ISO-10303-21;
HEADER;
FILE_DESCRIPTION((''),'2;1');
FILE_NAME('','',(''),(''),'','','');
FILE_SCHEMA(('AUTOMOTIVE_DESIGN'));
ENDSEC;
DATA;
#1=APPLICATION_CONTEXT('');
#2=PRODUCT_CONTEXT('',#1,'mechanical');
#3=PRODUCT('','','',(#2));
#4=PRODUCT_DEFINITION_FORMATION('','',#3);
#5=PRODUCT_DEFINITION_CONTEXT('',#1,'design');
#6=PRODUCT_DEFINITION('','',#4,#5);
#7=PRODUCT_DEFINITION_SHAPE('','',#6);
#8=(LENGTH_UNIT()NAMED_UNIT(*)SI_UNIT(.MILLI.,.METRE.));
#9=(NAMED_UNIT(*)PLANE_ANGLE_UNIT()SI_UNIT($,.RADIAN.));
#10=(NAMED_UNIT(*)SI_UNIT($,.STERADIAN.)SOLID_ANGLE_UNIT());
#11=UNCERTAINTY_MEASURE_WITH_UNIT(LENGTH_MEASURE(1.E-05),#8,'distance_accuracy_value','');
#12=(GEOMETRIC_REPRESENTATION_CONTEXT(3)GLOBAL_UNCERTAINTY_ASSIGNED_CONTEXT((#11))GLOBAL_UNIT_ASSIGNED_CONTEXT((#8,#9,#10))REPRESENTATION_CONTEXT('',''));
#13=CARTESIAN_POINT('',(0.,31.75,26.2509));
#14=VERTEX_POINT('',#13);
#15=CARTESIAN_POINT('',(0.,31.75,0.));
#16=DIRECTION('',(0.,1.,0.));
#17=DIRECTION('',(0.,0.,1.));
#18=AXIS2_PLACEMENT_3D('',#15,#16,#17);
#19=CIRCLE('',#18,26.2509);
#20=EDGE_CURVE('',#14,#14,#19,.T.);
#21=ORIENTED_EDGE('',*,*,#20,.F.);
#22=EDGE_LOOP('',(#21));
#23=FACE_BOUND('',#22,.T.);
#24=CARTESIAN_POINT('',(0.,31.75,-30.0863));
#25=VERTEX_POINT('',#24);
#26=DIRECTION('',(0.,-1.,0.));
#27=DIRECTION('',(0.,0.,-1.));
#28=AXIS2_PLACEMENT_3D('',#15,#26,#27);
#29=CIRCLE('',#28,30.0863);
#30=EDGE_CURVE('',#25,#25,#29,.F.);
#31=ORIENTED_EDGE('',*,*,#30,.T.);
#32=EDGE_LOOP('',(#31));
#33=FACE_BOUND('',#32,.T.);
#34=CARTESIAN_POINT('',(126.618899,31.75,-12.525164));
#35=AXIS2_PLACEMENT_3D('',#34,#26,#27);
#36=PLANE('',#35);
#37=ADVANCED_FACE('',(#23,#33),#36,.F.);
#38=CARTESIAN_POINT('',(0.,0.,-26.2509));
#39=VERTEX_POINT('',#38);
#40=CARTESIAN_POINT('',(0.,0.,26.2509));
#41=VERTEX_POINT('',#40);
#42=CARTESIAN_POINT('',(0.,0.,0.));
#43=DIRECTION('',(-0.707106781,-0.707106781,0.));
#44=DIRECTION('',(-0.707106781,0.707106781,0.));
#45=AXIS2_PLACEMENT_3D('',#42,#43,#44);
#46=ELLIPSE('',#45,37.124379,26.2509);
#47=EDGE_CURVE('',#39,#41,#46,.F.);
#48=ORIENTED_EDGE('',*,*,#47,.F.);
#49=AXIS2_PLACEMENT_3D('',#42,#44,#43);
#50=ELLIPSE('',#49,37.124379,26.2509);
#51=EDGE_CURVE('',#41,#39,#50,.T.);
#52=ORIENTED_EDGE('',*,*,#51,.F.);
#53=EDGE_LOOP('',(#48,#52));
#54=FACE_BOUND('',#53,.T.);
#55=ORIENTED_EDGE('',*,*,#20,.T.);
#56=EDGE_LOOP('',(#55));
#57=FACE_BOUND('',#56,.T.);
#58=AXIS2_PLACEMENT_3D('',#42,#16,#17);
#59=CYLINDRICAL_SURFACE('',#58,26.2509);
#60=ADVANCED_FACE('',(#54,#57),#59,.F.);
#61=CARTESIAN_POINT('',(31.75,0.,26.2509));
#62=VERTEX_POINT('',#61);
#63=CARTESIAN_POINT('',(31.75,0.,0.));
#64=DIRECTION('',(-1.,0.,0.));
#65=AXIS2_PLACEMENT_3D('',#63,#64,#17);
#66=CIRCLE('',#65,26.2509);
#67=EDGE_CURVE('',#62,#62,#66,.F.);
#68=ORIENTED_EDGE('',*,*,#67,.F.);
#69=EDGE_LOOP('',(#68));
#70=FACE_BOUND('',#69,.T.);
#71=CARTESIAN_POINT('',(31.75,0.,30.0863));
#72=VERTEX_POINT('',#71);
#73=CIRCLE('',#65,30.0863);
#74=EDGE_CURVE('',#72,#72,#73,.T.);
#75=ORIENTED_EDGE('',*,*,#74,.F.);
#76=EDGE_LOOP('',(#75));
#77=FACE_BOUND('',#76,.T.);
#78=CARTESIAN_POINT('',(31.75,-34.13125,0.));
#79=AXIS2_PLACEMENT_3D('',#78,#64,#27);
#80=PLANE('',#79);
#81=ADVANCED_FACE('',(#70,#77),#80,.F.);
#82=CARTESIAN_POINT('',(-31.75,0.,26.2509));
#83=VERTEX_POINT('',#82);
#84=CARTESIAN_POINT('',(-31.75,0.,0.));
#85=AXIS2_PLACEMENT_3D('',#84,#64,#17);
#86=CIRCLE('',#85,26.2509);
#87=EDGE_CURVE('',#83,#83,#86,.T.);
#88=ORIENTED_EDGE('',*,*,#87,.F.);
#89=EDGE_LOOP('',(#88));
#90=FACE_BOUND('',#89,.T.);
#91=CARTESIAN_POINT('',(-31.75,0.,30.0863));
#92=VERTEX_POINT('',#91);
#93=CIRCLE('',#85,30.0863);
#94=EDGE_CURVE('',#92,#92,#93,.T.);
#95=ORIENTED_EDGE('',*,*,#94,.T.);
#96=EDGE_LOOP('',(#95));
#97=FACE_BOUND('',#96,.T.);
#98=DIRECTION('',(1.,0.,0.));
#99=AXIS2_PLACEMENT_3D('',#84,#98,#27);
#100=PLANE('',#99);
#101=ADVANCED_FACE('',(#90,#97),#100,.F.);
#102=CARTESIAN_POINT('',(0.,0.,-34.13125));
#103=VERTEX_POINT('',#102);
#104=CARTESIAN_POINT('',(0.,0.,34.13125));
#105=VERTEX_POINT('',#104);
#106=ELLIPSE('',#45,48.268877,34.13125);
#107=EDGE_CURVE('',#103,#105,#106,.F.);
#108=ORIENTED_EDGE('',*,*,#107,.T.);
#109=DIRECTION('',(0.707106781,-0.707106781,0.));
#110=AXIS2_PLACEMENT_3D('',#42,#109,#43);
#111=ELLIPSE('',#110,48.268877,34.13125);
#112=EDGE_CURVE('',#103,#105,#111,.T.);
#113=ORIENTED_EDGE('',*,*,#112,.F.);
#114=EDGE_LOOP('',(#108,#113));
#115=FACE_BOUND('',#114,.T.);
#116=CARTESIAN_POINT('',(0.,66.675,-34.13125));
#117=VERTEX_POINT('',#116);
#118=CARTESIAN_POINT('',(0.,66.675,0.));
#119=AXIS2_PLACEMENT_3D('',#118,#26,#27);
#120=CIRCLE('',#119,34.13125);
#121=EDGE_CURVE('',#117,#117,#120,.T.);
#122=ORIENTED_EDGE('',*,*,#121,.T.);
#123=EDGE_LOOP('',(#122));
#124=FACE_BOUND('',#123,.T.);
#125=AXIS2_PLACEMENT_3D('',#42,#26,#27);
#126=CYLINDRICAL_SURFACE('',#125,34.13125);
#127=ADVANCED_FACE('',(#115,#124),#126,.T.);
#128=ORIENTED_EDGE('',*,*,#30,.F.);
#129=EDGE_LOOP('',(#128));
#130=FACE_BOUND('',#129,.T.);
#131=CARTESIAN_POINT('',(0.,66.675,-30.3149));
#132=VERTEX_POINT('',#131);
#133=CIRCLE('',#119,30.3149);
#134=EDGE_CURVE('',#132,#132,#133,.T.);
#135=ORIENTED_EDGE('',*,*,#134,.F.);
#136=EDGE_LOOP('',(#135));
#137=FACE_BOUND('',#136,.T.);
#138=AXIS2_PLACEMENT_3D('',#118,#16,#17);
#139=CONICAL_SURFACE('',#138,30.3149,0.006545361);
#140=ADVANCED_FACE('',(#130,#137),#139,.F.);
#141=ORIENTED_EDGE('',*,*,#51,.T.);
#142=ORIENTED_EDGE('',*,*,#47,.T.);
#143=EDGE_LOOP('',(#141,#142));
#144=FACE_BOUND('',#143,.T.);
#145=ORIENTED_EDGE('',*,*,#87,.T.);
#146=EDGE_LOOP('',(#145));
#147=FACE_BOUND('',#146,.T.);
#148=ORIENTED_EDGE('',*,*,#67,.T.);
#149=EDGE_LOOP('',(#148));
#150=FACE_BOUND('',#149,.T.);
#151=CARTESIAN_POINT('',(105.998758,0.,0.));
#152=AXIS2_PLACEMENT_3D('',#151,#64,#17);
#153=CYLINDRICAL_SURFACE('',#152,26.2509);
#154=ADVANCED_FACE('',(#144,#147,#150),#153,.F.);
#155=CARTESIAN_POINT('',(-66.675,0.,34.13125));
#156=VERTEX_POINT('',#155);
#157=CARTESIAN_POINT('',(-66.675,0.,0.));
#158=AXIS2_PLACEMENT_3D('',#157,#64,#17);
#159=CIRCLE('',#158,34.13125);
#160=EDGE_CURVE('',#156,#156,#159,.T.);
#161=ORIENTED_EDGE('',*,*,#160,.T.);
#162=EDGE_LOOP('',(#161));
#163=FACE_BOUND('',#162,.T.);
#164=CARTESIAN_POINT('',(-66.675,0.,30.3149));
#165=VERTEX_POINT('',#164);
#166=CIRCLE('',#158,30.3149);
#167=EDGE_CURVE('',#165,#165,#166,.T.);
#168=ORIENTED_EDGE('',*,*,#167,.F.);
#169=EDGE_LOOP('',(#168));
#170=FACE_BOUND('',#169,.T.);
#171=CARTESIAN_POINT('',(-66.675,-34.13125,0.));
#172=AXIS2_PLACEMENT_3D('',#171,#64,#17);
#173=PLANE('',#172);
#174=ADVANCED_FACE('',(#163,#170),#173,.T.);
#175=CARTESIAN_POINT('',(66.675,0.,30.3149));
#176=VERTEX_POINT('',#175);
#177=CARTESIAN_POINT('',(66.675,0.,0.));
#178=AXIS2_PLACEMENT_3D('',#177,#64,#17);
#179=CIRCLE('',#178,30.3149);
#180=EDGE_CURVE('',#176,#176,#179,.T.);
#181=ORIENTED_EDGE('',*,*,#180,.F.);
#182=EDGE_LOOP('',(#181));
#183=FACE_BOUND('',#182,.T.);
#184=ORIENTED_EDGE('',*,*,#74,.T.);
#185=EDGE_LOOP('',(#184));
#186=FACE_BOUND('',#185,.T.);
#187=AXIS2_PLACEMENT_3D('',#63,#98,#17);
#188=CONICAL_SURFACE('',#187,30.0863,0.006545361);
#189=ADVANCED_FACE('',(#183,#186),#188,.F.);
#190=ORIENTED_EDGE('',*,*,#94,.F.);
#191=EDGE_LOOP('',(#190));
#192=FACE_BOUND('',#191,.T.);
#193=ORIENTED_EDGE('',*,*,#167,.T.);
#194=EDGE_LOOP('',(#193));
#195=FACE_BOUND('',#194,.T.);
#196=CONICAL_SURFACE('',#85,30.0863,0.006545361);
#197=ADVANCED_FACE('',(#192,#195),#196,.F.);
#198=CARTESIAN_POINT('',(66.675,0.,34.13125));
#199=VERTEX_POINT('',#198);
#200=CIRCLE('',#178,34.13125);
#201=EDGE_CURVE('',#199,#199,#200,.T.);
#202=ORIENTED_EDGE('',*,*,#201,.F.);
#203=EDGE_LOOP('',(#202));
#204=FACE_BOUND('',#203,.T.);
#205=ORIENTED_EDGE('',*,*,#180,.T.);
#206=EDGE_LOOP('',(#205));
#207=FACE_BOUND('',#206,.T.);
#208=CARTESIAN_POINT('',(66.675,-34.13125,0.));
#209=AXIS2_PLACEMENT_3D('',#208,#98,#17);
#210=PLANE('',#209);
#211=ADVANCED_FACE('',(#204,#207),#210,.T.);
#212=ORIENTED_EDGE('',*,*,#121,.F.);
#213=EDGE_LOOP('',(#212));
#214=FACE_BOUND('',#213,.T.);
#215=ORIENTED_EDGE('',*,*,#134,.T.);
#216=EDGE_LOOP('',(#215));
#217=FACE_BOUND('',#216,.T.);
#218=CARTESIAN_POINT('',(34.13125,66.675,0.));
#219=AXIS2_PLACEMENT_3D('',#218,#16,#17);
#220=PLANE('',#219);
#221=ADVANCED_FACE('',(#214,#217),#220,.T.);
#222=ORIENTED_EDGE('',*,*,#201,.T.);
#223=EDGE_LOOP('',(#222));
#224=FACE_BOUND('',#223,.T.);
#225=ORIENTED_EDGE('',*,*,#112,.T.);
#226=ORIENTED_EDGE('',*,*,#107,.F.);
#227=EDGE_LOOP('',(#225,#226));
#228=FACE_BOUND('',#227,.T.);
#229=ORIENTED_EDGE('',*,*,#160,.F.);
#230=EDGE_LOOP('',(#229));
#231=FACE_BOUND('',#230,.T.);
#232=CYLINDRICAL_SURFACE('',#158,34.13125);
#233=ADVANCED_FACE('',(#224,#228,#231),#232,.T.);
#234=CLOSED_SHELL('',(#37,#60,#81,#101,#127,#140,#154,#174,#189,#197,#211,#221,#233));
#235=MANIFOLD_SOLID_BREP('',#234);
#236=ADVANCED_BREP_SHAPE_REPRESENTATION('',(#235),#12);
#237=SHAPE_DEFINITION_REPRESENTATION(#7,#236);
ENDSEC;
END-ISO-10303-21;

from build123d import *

# Parameters (mm, degrees)
BOSS_EXTRUDE1_DEPTH = 63.5
BOSS_EXTRUDE2_REACH = 67.881
SKETCH5_R           = 26.2509
CUT_EXTRUDE1_DEPTH  = 63.5
CUT_EXTRUDE2_START  = -31.75
SKETCH6_R           = 26.2509
CUT_EXTRUDE2_DEPTH  = 31.75


with BuildPart() as part:
    # Sketch1 → Revolve1 (revolve)
    with BuildSketch(Plane.XY):
        Polygon((-66.675, -34.13125), (-31.75, -34.13125), (-31.75, -30.0863), (-66.675, -30.3149), align=None)
    revolve(axis=Axis((-66.675, 0, 0), (1, 0, 0)))


with BuildPart() as body_2:
    # Mirror1: mirrored copy
    add(part.part.mirror(Plane(origin=(0, 0, 0), x_dir=(0, 0, 1), z_dir=(1, 0, 0))))


with BuildPart() as body_3:
    # Sketch2 → Revolve2 (revolve)
    with BuildSketch(Plane.XY):
        Polygon((30.3149, 66.675), (30.0863, 31.75), (34.13125, 31.75), (34.13125, 66.675), align=None)
    revolve(axis=Axis((0, 0, 0), (0, 1, 0)))


with BuildPart() as part_1:
    add(part.part)

    add(body_2.part)  # Boss-Extrude1 merges body 2

    add(body_3.part)  # Boss-Extrude1 merges body 3
    # Sketch3 → Boss-Extrude1 (add)
    with BuildSketch(Plane(origin=(-31.75, 0, 0), x_dir=(0, 0, -1), z_dir=(1, 0, 0))):
        with BuildLine():
            Line((12.525163734, 31.75), (-12.525163734, 31.75))
            ThreePointArc((-12.525163734, 31.75), (0, -34.13125), (12.525163734, 31.75))
        make_face()
    extrude(amount=BOSS_EXTRUDE1_DEPTH)

    # Sketch4 → Boss-Extrude2 (add, up to next)
    with BuildSketch(Plane.XZ.offset(-31.75), mode=Mode.PRIVATE) as boss_extrude2_sk1:
        with BuildLine():
            ThreePointArc((-31.75, -12.525163734), (0, -34.13125), (31.75, -12.525163734))
            Line((31.75, -12.525163734), (-31.75, -12.525163734))
        make_face()
    boss_extrude2_tool1 = extrude(boss_extrude2_sk1.sketch, amount=BOSS_EXTRUDE2_REACH, mode=Mode.PRIVATE) - part_1.part
    add(boss_extrude2_tool1.solids().sort_by_distance((0, 31.75, -21.455636))[0])
    # Sketch4 → Boss-Extrude2 (add, up to next)
    with BuildSketch(Plane.XZ.offset(-31.75), mode=Mode.PRIVATE) as boss_extrude2_sk2:
        with BuildLine():
            ThreePointArc((31.75, 12.525163734), (0, 34.13125), (-31.75, 12.525163734))
            Line((-31.75, 12.525163734), (31.75, 12.525163734))
        make_face()
    boss_extrude2_tool2 = extrude(boss_extrude2_sk2.sketch, amount=BOSS_EXTRUDE2_REACH, mode=Mode.PRIVATE) - part_1.part
    add(boss_extrude2_tool2.solids().sort_by_distance((0, 31.75, 21.455636))[0])

    # Sketch5 → Cut-Extrude1 (cut)
    with BuildSketch(Plane.ZY.offset(31.75)):
        Circle(SKETCH5_R)
    extrude(amount=-CUT_EXTRUDE1_DEPTH, mode=Mode.SUBTRACT)

    # Sketch6 → Cut-Extrude2 (cut)
    with BuildSketch(Plane(origin=(0, 31.75, 0), x_dir=(1, 0, 0), z_dir=(0, 1, 0)).offset(CUT_EXTRUDE2_START)):
        Circle(SKETCH6_R)
    extrude(amount=CUT_EXTRUDE2_DEPTH, mode=Mode.SUBTRACT)


solid = part_1.part
